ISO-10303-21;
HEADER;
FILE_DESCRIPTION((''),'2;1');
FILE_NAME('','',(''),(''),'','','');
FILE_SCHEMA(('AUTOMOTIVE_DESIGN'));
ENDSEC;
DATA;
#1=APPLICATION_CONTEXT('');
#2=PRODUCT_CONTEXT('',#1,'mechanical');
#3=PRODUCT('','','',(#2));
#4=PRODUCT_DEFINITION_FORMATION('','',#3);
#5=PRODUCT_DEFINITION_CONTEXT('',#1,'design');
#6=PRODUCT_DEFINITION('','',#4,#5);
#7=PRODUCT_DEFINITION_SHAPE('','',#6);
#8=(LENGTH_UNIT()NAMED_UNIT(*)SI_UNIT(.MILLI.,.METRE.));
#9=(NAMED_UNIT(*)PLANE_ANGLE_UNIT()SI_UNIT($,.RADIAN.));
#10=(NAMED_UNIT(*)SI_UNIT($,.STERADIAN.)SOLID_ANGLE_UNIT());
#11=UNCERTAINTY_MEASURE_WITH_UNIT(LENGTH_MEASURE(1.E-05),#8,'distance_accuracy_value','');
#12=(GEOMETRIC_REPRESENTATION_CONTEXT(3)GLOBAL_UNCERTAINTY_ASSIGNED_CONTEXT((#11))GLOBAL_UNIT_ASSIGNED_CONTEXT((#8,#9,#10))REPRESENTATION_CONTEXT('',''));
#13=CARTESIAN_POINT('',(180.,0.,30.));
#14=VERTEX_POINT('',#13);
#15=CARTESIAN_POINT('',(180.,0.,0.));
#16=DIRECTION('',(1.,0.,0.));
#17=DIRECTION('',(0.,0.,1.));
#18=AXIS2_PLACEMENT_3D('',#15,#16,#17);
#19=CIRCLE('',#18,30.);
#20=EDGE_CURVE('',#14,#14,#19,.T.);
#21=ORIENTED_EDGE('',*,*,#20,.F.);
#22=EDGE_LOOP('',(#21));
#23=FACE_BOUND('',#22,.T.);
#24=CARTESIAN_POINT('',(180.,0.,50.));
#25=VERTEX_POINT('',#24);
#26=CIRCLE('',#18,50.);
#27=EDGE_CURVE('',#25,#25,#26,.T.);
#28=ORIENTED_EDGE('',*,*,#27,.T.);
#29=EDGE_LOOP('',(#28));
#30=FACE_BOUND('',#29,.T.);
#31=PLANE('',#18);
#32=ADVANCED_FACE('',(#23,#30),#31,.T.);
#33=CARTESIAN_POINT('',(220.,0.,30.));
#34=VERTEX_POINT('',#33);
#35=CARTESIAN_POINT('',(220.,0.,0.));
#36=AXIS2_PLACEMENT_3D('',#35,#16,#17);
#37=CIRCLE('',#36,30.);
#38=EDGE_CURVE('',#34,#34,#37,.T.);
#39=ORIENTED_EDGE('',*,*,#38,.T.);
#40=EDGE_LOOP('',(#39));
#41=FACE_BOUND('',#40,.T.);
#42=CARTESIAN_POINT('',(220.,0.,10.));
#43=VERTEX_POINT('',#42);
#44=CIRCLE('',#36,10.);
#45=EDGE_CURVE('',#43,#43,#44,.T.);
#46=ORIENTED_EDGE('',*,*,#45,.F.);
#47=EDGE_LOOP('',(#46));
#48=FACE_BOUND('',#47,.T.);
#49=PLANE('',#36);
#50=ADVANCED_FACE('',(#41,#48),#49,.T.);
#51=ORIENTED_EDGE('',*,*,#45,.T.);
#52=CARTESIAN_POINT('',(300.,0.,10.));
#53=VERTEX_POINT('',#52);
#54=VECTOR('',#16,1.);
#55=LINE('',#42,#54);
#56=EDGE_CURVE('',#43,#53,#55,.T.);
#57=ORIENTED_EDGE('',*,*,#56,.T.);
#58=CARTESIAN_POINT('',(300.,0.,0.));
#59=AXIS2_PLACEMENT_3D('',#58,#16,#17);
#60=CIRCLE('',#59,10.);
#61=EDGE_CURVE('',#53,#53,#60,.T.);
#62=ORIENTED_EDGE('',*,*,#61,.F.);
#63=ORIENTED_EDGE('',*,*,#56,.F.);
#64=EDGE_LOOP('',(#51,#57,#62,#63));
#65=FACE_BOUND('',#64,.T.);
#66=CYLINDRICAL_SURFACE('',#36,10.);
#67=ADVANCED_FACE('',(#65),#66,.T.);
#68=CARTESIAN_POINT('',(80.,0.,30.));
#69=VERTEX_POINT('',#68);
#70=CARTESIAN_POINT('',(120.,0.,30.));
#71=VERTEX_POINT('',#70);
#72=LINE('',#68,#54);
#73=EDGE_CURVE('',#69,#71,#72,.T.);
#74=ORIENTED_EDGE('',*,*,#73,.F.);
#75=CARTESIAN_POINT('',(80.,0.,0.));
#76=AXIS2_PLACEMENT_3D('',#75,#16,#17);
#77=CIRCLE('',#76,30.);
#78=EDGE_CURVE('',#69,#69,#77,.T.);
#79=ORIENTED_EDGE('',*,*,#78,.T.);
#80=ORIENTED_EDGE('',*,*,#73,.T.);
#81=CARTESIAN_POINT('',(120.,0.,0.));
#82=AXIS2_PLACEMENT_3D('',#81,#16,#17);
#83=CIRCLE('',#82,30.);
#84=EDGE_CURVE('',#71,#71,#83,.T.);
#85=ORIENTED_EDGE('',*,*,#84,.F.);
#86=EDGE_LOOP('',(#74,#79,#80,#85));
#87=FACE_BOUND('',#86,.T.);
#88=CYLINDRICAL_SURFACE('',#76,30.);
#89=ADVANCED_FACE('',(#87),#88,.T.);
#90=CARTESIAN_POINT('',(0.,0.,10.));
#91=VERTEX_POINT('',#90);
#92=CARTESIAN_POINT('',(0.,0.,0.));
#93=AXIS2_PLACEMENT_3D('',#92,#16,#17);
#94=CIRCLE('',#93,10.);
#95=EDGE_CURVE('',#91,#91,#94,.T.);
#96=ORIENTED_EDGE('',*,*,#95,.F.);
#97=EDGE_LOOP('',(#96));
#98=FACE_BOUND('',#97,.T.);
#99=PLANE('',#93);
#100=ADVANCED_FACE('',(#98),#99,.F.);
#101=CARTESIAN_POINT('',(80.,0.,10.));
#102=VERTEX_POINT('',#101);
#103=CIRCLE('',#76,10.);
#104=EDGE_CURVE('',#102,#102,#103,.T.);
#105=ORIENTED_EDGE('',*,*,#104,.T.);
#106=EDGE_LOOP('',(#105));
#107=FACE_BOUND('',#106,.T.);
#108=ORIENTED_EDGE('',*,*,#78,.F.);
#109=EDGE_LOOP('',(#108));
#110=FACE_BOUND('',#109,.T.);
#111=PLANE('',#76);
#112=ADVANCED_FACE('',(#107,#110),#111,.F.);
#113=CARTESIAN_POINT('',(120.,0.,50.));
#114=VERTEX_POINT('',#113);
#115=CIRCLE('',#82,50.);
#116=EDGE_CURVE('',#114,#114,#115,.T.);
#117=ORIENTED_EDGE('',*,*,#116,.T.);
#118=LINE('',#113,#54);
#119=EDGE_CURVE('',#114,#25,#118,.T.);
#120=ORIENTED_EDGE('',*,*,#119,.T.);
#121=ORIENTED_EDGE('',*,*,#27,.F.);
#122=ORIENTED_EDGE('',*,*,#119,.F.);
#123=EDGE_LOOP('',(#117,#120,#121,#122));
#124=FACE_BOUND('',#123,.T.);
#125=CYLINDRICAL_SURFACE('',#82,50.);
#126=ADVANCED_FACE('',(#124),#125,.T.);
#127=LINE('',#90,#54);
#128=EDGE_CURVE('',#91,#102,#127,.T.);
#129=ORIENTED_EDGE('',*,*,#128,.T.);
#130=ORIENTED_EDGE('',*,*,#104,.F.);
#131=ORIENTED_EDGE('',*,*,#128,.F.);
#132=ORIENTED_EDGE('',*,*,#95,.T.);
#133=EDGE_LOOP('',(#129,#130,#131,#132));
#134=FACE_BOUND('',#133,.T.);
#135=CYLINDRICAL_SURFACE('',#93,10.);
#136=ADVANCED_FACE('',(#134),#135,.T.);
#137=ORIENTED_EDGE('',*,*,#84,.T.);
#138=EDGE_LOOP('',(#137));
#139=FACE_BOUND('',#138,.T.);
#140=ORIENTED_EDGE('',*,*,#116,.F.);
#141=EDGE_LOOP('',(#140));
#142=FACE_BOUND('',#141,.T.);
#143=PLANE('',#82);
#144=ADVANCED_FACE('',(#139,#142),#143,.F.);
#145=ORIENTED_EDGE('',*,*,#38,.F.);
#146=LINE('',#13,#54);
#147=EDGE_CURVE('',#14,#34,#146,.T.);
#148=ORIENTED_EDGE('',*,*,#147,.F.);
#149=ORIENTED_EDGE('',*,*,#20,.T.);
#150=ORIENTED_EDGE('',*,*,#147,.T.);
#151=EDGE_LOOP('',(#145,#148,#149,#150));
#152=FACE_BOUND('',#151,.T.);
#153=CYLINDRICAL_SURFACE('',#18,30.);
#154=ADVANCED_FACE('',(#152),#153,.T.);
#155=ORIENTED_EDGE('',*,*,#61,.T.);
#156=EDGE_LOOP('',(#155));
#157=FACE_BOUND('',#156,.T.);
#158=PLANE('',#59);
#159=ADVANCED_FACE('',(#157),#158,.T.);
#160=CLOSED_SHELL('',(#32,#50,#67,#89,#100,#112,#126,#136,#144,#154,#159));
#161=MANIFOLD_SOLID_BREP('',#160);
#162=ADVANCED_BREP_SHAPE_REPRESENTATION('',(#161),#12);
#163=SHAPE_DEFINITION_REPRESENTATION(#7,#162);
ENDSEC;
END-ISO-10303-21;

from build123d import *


with BuildPart() as part:
    # Sketch1 → Revolve1 (revolve)
    with BuildSketch(Plane(origin=(0, 0, 0), x_dir=(1, 0, 0), z_dir=(0, 1, 0)), mode=Mode.PRIVATE) as revolve1_sk:
        Polygon((0, 0), (0, 10), (80, 10), (80, 30), (120, 30), (120, 50), (180, 50), (180, 30), (220, 30), (220, 10), (300, 10), (300, 0), align=None)
    revolve(revolve1_sk.sketch.rotate(Axis((0, 0, 0), (1, 0, 0)), 180), axis=Axis((0, 0, 0), (1, 0, 0)))  # turned: the seam where the file's is


solid = part.part
